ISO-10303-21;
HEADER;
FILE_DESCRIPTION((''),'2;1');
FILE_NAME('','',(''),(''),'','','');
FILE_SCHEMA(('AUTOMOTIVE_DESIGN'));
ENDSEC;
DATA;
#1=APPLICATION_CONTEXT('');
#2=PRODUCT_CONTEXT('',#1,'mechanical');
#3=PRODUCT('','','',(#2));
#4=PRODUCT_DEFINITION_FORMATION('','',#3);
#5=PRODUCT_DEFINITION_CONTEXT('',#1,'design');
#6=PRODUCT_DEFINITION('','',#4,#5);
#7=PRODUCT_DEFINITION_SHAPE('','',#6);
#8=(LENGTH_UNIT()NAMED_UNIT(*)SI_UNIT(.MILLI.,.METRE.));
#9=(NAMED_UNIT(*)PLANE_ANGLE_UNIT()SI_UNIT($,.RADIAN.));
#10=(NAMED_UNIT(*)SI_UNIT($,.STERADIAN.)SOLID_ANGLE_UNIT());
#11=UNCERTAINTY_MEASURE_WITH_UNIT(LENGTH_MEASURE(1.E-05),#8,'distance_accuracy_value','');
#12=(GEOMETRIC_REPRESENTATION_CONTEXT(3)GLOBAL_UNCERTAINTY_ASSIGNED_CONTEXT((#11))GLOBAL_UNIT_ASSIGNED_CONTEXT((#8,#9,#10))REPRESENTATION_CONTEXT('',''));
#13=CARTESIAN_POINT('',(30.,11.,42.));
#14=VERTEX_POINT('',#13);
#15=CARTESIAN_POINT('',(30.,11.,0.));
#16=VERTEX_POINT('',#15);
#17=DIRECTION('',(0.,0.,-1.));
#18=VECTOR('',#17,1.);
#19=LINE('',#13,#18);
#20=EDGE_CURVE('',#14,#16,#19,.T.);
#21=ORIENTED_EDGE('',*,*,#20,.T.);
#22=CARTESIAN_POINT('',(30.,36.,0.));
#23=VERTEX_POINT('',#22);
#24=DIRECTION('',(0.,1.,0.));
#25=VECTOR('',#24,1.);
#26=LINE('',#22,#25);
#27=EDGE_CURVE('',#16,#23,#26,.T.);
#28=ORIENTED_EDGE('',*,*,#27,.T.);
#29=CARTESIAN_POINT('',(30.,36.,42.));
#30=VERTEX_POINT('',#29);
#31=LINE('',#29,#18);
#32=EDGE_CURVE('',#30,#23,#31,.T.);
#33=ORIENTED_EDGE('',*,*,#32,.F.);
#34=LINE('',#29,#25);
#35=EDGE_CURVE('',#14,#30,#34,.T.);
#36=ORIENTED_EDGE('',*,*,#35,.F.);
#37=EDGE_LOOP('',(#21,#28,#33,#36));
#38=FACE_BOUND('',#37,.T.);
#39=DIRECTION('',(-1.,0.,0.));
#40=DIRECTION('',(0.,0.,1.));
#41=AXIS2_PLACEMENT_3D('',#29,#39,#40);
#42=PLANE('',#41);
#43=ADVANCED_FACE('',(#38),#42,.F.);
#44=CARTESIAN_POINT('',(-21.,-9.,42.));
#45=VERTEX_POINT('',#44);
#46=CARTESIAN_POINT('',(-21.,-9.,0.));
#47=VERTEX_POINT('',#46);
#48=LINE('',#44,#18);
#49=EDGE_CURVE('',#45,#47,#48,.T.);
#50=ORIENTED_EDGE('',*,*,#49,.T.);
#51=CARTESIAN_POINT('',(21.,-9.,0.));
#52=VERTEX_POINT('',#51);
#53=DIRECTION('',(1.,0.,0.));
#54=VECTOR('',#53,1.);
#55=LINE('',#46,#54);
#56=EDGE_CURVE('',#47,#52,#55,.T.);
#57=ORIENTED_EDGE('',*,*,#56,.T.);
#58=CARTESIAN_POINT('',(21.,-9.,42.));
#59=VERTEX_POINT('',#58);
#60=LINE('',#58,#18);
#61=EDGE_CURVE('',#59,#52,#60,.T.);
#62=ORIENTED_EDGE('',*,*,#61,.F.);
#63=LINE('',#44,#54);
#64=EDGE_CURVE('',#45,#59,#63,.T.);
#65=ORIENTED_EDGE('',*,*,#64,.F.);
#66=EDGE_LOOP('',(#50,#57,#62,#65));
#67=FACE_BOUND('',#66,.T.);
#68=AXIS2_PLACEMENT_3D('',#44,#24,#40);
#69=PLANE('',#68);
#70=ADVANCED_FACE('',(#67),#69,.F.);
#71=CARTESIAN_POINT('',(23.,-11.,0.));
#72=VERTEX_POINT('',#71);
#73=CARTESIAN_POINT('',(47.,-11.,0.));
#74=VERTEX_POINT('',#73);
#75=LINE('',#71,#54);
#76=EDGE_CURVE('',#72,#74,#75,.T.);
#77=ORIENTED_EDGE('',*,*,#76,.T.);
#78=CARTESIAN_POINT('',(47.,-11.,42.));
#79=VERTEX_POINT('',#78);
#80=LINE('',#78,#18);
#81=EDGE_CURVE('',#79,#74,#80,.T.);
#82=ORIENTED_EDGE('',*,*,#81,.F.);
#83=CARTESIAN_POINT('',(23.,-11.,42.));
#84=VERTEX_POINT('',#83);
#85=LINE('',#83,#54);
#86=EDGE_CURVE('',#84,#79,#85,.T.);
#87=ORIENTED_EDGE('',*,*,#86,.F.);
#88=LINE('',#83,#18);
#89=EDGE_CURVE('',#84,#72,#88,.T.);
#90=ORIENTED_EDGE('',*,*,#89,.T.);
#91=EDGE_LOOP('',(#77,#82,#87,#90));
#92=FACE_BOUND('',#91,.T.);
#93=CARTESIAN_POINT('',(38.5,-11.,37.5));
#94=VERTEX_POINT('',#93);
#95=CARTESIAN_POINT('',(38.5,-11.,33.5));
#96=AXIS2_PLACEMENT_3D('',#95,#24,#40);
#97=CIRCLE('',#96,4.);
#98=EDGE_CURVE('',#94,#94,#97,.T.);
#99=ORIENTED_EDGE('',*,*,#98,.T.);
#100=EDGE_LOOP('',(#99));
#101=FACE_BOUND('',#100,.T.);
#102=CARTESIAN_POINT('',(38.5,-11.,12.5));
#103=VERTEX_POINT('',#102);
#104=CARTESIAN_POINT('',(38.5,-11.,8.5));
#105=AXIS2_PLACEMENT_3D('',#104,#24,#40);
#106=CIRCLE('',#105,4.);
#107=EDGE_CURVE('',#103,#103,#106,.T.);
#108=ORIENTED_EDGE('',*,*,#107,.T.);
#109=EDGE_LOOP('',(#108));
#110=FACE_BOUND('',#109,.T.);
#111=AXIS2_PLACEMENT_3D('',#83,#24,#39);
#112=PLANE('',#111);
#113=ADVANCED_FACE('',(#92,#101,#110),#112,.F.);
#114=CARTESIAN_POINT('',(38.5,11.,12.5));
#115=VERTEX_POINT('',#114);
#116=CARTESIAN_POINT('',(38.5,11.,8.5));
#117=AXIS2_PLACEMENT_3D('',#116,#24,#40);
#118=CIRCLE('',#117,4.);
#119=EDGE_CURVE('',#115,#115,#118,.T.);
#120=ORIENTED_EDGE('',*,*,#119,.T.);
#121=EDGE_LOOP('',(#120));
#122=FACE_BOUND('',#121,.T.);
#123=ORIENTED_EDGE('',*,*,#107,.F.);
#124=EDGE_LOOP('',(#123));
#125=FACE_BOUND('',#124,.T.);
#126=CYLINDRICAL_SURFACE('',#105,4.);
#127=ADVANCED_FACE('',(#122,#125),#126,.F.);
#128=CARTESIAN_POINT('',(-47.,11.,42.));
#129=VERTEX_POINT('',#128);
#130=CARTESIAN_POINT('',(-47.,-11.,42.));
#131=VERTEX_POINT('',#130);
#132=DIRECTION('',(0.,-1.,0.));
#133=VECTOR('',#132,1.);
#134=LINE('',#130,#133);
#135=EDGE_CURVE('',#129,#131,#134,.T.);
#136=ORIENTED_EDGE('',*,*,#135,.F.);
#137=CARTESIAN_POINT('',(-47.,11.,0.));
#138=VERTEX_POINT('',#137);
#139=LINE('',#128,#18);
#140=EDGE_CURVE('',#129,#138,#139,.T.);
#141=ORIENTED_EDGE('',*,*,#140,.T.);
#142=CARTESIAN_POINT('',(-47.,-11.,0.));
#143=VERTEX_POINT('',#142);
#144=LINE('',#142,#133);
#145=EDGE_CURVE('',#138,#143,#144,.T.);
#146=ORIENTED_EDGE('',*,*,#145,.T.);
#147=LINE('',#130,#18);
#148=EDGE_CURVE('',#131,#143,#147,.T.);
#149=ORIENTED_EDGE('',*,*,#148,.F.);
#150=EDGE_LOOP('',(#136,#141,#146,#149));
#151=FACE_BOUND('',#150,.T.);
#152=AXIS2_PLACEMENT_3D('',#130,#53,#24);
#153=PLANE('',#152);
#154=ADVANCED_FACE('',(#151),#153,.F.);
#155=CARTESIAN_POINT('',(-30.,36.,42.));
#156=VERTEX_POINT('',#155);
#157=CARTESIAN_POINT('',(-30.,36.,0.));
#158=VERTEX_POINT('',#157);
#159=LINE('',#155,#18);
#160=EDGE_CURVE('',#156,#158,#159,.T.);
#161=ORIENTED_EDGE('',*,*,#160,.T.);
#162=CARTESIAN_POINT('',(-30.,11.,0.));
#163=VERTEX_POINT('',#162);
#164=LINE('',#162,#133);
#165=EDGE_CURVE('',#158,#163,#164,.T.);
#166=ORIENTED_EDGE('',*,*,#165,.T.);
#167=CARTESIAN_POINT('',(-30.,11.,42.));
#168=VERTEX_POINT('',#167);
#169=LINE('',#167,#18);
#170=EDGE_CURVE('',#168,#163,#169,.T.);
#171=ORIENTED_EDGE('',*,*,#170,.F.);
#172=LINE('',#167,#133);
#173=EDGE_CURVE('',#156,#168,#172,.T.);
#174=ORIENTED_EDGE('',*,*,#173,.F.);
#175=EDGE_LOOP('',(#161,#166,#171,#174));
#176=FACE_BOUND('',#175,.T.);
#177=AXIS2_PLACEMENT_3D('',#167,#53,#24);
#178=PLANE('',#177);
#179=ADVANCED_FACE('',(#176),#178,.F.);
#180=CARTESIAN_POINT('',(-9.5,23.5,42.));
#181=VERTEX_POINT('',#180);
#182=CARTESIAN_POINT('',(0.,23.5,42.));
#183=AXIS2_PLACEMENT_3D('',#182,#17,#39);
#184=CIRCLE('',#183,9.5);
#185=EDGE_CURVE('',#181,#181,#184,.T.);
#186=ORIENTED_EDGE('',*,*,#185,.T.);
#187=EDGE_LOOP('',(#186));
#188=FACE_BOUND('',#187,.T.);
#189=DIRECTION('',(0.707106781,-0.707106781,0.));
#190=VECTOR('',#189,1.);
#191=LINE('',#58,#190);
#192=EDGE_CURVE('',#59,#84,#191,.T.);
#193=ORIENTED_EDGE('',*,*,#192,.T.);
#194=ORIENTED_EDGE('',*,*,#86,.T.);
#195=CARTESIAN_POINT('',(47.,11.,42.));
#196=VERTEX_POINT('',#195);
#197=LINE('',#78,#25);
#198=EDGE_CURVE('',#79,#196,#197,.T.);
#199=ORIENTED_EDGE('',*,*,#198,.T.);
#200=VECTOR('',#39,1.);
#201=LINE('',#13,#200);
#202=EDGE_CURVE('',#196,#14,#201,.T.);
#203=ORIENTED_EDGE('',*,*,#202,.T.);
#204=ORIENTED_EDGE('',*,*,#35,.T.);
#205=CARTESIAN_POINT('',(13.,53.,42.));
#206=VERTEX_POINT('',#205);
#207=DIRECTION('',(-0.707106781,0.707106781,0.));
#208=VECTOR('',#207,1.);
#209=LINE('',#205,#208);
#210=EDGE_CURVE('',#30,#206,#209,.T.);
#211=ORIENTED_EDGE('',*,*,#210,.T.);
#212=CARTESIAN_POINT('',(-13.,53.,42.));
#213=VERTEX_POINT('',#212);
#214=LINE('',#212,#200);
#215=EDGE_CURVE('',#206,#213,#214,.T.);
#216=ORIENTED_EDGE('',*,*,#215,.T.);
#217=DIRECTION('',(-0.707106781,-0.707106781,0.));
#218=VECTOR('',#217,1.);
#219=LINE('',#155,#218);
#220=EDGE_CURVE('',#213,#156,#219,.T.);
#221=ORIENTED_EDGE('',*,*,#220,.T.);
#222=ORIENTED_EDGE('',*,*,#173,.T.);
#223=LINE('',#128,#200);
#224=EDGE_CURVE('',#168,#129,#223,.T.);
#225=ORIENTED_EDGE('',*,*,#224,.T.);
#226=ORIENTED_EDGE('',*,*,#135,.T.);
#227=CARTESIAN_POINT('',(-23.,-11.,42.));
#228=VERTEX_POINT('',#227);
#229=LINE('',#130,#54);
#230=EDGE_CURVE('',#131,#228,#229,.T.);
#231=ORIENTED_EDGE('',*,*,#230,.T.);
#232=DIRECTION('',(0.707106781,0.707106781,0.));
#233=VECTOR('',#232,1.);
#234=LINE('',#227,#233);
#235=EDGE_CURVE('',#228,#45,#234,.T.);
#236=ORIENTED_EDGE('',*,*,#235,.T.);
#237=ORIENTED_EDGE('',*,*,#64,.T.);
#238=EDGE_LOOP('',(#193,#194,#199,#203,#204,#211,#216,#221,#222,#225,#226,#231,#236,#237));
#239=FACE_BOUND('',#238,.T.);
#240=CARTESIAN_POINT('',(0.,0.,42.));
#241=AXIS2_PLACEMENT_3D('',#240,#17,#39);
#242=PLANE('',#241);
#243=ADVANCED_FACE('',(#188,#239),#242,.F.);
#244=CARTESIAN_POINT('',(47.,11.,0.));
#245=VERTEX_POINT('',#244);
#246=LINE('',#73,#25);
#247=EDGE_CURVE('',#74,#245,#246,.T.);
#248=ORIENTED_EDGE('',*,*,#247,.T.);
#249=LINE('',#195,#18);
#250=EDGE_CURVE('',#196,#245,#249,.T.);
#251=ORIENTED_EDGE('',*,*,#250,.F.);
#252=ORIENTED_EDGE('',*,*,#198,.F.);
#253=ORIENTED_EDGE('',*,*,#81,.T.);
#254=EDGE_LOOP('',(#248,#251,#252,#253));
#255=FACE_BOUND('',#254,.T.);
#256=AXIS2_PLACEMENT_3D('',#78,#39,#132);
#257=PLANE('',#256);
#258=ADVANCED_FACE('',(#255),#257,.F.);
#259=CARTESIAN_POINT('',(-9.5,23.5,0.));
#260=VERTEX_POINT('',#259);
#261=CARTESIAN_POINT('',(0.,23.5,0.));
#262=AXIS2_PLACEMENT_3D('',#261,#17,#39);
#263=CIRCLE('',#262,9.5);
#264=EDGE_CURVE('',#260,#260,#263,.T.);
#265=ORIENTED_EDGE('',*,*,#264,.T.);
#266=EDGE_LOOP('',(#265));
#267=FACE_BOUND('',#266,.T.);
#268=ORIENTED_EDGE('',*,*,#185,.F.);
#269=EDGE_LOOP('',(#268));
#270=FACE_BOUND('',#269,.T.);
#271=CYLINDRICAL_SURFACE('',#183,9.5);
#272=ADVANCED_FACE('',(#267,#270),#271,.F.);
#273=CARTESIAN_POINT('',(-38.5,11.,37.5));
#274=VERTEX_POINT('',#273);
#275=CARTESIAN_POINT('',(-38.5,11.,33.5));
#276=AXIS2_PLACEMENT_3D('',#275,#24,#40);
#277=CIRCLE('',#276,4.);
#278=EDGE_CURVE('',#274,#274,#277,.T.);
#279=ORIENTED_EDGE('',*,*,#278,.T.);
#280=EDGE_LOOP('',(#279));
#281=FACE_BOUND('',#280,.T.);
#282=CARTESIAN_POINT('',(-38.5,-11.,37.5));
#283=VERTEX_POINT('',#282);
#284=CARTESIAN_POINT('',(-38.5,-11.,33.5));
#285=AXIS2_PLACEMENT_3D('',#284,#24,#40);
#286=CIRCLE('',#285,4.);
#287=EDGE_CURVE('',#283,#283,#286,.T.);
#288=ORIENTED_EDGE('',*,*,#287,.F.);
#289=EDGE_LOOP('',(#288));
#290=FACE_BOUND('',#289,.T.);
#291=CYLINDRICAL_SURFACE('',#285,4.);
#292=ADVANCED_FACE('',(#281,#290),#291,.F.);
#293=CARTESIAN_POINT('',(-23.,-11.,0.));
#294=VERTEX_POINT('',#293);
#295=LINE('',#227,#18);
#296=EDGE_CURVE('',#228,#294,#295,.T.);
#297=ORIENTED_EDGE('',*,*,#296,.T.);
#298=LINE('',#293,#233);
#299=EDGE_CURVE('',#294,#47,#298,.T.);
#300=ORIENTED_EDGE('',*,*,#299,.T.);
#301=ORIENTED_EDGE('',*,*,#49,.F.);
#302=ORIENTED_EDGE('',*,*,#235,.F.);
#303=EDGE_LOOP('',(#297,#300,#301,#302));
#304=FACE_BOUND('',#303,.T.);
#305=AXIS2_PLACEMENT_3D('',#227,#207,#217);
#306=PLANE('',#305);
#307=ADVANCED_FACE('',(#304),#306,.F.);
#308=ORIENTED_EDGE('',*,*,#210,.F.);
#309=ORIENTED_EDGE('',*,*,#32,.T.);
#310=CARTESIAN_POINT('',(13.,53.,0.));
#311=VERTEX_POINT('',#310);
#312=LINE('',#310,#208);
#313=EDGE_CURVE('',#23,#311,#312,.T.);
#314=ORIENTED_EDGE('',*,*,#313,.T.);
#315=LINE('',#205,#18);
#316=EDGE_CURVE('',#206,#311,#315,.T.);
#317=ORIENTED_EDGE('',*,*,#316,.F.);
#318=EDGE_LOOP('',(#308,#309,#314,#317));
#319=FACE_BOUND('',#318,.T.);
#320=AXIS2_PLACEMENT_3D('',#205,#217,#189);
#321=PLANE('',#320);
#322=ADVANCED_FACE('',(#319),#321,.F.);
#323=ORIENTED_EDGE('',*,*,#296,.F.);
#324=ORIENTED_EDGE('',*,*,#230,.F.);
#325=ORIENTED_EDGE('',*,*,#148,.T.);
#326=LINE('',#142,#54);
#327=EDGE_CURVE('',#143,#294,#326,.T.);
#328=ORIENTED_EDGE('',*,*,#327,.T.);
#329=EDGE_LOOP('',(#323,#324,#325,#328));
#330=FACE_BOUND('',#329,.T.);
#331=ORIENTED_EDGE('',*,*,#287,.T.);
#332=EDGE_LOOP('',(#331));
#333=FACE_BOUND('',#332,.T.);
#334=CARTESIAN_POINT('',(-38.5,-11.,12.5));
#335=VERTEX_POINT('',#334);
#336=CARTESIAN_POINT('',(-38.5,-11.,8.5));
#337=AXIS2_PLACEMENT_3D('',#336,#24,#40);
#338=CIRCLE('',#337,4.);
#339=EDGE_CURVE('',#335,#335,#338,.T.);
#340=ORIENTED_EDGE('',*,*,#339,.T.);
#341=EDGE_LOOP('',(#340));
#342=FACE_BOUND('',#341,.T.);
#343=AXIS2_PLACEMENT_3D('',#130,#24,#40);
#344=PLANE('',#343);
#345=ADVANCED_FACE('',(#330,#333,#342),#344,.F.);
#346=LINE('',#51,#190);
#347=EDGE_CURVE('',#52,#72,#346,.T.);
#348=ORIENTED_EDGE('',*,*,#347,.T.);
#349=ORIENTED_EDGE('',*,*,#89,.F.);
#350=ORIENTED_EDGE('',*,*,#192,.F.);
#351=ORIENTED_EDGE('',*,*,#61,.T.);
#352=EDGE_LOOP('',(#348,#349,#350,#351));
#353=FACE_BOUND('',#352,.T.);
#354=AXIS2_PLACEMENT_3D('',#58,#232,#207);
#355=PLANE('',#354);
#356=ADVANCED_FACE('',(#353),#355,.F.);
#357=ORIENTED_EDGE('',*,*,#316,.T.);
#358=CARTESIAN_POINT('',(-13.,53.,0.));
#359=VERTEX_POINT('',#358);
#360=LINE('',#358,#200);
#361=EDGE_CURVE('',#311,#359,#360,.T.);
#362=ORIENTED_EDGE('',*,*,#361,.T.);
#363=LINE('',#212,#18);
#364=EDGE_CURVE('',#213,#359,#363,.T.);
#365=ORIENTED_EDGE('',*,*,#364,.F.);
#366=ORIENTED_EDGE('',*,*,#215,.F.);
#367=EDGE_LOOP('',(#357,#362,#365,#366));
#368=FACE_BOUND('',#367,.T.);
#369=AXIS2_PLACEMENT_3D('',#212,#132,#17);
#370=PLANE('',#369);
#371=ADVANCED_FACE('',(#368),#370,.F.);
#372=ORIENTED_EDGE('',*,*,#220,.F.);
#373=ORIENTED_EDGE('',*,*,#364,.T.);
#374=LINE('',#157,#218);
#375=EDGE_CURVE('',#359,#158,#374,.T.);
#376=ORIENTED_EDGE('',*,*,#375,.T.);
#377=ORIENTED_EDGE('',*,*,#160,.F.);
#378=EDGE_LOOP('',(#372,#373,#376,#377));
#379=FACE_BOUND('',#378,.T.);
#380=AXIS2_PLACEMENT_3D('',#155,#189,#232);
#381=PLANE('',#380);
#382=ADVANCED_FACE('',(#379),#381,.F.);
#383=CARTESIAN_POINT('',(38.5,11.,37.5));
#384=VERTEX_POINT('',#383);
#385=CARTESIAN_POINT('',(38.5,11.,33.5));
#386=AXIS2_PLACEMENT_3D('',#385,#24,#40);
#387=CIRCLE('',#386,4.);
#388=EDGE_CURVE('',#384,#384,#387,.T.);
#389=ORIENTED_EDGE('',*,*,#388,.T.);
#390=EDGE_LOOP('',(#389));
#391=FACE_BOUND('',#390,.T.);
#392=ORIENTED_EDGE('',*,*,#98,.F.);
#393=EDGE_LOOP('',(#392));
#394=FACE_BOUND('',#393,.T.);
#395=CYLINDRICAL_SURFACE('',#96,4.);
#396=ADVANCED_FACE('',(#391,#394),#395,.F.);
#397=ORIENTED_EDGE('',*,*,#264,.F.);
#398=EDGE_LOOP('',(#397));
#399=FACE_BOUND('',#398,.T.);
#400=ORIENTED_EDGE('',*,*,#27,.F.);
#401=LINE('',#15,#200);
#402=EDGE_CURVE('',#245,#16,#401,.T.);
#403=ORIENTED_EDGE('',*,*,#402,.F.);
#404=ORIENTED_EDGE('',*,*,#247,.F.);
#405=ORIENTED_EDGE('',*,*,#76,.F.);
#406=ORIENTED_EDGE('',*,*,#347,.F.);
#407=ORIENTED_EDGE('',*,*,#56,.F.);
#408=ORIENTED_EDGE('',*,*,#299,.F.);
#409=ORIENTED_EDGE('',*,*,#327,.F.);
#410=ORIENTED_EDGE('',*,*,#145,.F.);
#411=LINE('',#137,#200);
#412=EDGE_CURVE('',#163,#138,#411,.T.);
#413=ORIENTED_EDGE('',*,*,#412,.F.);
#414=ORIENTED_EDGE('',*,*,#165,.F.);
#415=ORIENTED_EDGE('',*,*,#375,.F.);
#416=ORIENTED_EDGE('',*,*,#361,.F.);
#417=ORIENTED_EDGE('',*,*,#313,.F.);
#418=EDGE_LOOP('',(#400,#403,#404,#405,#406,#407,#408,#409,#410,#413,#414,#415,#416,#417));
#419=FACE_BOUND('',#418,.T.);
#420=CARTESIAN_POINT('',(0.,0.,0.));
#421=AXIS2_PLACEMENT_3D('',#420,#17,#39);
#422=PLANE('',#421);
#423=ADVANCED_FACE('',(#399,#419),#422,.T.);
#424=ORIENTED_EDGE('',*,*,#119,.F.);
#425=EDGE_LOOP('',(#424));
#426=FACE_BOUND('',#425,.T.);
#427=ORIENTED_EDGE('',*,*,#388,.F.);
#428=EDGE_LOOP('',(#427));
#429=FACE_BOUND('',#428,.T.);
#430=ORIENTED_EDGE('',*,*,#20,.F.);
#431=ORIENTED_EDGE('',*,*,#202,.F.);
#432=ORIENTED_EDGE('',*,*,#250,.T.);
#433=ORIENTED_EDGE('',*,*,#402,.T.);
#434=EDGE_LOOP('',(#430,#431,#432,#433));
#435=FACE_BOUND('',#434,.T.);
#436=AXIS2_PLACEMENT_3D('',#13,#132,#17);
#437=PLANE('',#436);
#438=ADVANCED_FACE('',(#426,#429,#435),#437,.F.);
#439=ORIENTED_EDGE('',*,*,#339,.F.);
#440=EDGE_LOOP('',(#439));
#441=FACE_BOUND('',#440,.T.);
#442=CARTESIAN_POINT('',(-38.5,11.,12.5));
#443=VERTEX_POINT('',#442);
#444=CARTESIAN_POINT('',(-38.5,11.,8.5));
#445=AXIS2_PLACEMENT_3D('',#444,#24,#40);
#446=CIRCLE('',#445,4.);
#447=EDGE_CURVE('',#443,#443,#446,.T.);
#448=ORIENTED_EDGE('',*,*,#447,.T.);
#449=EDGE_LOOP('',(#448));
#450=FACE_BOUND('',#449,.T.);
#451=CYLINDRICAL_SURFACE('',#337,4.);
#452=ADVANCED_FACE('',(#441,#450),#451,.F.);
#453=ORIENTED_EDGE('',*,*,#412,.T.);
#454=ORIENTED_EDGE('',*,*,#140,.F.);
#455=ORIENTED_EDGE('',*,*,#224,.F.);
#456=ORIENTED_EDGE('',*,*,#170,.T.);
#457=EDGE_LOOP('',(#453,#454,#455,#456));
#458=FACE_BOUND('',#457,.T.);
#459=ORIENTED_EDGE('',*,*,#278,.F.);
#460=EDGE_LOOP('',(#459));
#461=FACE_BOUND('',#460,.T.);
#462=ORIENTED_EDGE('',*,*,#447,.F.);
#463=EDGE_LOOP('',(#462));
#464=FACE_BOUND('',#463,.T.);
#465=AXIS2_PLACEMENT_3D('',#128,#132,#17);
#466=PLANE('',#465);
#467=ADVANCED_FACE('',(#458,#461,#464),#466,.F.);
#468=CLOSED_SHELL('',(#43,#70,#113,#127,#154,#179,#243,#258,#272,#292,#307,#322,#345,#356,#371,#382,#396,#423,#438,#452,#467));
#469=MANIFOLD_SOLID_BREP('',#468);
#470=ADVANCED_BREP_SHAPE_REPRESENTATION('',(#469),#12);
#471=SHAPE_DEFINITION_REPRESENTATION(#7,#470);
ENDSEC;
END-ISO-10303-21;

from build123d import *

# Parameters (mm, degrees)
DODANIE_WYCI_GNI_CIE1_DEPTH = 42
SZKIC2_R                    = 9.5
WYTNIJ_WYCI_GNI_CIE1_DEPTH  = 42
SZKIC3_R                    = 4
WYTNIJ_WYCI_GNI_CIE2_DEPTH  = 22


with BuildPart() as part:
    # Szkic1 → Dodanie-wyciągnięcie1 (new body)
    with BuildSketch(Plane.XY):
        Polygon((-47, 11), (-30, 11), (-30, 36), (-13, 53), (13, 53), (30, 36), (30, 11), (47, 11), (47, -11), (23, -11), (21, -9), (-21, -9), (-23, -11), (-47, -11), align=None)
    extrude(amount=DODANIE_WYCI_GNI_CIE1_DEPTH)

    # Szkic2 → Wytnij-wyciągnięcie1 (cut)
    with BuildSketch(Plane(origin=(0, 0, 0), x_dir=(-1, 0, 0), z_dir=(0, 0, -1))):
        with Locations((0, 23.5)):
            Circle(SZKIC2_R)
    extrude(amount=-WYTNIJ_WYCI_GNI_CIE1_DEPTH, mode=Mode.SUBTRACT)

    # Szkic3 → Wytnij-wyciągnięcie2 (cut)
    with BuildSketch(Plane(origin=(0, 11, 0), x_dir=(1, 0, 0), z_dir=(0, 1, 0))):
        with Locations((-38.5, -8.5)):
            Circle(SZKIC3_R)
        with Locations((-38.5, -33.5)):
            Circle(SZKIC3_R)
        with Locations((38.5, -33.5)):
            Circle(SZKIC3_R)
        with Locations((38.5, -8.5)):
            Circle(SZKIC3_R)
    extrude(amount=-WYTNIJ_WYCI_GNI_CIE2_DEPTH, mode=Mode.SUBTRACT)


solid = part.part
